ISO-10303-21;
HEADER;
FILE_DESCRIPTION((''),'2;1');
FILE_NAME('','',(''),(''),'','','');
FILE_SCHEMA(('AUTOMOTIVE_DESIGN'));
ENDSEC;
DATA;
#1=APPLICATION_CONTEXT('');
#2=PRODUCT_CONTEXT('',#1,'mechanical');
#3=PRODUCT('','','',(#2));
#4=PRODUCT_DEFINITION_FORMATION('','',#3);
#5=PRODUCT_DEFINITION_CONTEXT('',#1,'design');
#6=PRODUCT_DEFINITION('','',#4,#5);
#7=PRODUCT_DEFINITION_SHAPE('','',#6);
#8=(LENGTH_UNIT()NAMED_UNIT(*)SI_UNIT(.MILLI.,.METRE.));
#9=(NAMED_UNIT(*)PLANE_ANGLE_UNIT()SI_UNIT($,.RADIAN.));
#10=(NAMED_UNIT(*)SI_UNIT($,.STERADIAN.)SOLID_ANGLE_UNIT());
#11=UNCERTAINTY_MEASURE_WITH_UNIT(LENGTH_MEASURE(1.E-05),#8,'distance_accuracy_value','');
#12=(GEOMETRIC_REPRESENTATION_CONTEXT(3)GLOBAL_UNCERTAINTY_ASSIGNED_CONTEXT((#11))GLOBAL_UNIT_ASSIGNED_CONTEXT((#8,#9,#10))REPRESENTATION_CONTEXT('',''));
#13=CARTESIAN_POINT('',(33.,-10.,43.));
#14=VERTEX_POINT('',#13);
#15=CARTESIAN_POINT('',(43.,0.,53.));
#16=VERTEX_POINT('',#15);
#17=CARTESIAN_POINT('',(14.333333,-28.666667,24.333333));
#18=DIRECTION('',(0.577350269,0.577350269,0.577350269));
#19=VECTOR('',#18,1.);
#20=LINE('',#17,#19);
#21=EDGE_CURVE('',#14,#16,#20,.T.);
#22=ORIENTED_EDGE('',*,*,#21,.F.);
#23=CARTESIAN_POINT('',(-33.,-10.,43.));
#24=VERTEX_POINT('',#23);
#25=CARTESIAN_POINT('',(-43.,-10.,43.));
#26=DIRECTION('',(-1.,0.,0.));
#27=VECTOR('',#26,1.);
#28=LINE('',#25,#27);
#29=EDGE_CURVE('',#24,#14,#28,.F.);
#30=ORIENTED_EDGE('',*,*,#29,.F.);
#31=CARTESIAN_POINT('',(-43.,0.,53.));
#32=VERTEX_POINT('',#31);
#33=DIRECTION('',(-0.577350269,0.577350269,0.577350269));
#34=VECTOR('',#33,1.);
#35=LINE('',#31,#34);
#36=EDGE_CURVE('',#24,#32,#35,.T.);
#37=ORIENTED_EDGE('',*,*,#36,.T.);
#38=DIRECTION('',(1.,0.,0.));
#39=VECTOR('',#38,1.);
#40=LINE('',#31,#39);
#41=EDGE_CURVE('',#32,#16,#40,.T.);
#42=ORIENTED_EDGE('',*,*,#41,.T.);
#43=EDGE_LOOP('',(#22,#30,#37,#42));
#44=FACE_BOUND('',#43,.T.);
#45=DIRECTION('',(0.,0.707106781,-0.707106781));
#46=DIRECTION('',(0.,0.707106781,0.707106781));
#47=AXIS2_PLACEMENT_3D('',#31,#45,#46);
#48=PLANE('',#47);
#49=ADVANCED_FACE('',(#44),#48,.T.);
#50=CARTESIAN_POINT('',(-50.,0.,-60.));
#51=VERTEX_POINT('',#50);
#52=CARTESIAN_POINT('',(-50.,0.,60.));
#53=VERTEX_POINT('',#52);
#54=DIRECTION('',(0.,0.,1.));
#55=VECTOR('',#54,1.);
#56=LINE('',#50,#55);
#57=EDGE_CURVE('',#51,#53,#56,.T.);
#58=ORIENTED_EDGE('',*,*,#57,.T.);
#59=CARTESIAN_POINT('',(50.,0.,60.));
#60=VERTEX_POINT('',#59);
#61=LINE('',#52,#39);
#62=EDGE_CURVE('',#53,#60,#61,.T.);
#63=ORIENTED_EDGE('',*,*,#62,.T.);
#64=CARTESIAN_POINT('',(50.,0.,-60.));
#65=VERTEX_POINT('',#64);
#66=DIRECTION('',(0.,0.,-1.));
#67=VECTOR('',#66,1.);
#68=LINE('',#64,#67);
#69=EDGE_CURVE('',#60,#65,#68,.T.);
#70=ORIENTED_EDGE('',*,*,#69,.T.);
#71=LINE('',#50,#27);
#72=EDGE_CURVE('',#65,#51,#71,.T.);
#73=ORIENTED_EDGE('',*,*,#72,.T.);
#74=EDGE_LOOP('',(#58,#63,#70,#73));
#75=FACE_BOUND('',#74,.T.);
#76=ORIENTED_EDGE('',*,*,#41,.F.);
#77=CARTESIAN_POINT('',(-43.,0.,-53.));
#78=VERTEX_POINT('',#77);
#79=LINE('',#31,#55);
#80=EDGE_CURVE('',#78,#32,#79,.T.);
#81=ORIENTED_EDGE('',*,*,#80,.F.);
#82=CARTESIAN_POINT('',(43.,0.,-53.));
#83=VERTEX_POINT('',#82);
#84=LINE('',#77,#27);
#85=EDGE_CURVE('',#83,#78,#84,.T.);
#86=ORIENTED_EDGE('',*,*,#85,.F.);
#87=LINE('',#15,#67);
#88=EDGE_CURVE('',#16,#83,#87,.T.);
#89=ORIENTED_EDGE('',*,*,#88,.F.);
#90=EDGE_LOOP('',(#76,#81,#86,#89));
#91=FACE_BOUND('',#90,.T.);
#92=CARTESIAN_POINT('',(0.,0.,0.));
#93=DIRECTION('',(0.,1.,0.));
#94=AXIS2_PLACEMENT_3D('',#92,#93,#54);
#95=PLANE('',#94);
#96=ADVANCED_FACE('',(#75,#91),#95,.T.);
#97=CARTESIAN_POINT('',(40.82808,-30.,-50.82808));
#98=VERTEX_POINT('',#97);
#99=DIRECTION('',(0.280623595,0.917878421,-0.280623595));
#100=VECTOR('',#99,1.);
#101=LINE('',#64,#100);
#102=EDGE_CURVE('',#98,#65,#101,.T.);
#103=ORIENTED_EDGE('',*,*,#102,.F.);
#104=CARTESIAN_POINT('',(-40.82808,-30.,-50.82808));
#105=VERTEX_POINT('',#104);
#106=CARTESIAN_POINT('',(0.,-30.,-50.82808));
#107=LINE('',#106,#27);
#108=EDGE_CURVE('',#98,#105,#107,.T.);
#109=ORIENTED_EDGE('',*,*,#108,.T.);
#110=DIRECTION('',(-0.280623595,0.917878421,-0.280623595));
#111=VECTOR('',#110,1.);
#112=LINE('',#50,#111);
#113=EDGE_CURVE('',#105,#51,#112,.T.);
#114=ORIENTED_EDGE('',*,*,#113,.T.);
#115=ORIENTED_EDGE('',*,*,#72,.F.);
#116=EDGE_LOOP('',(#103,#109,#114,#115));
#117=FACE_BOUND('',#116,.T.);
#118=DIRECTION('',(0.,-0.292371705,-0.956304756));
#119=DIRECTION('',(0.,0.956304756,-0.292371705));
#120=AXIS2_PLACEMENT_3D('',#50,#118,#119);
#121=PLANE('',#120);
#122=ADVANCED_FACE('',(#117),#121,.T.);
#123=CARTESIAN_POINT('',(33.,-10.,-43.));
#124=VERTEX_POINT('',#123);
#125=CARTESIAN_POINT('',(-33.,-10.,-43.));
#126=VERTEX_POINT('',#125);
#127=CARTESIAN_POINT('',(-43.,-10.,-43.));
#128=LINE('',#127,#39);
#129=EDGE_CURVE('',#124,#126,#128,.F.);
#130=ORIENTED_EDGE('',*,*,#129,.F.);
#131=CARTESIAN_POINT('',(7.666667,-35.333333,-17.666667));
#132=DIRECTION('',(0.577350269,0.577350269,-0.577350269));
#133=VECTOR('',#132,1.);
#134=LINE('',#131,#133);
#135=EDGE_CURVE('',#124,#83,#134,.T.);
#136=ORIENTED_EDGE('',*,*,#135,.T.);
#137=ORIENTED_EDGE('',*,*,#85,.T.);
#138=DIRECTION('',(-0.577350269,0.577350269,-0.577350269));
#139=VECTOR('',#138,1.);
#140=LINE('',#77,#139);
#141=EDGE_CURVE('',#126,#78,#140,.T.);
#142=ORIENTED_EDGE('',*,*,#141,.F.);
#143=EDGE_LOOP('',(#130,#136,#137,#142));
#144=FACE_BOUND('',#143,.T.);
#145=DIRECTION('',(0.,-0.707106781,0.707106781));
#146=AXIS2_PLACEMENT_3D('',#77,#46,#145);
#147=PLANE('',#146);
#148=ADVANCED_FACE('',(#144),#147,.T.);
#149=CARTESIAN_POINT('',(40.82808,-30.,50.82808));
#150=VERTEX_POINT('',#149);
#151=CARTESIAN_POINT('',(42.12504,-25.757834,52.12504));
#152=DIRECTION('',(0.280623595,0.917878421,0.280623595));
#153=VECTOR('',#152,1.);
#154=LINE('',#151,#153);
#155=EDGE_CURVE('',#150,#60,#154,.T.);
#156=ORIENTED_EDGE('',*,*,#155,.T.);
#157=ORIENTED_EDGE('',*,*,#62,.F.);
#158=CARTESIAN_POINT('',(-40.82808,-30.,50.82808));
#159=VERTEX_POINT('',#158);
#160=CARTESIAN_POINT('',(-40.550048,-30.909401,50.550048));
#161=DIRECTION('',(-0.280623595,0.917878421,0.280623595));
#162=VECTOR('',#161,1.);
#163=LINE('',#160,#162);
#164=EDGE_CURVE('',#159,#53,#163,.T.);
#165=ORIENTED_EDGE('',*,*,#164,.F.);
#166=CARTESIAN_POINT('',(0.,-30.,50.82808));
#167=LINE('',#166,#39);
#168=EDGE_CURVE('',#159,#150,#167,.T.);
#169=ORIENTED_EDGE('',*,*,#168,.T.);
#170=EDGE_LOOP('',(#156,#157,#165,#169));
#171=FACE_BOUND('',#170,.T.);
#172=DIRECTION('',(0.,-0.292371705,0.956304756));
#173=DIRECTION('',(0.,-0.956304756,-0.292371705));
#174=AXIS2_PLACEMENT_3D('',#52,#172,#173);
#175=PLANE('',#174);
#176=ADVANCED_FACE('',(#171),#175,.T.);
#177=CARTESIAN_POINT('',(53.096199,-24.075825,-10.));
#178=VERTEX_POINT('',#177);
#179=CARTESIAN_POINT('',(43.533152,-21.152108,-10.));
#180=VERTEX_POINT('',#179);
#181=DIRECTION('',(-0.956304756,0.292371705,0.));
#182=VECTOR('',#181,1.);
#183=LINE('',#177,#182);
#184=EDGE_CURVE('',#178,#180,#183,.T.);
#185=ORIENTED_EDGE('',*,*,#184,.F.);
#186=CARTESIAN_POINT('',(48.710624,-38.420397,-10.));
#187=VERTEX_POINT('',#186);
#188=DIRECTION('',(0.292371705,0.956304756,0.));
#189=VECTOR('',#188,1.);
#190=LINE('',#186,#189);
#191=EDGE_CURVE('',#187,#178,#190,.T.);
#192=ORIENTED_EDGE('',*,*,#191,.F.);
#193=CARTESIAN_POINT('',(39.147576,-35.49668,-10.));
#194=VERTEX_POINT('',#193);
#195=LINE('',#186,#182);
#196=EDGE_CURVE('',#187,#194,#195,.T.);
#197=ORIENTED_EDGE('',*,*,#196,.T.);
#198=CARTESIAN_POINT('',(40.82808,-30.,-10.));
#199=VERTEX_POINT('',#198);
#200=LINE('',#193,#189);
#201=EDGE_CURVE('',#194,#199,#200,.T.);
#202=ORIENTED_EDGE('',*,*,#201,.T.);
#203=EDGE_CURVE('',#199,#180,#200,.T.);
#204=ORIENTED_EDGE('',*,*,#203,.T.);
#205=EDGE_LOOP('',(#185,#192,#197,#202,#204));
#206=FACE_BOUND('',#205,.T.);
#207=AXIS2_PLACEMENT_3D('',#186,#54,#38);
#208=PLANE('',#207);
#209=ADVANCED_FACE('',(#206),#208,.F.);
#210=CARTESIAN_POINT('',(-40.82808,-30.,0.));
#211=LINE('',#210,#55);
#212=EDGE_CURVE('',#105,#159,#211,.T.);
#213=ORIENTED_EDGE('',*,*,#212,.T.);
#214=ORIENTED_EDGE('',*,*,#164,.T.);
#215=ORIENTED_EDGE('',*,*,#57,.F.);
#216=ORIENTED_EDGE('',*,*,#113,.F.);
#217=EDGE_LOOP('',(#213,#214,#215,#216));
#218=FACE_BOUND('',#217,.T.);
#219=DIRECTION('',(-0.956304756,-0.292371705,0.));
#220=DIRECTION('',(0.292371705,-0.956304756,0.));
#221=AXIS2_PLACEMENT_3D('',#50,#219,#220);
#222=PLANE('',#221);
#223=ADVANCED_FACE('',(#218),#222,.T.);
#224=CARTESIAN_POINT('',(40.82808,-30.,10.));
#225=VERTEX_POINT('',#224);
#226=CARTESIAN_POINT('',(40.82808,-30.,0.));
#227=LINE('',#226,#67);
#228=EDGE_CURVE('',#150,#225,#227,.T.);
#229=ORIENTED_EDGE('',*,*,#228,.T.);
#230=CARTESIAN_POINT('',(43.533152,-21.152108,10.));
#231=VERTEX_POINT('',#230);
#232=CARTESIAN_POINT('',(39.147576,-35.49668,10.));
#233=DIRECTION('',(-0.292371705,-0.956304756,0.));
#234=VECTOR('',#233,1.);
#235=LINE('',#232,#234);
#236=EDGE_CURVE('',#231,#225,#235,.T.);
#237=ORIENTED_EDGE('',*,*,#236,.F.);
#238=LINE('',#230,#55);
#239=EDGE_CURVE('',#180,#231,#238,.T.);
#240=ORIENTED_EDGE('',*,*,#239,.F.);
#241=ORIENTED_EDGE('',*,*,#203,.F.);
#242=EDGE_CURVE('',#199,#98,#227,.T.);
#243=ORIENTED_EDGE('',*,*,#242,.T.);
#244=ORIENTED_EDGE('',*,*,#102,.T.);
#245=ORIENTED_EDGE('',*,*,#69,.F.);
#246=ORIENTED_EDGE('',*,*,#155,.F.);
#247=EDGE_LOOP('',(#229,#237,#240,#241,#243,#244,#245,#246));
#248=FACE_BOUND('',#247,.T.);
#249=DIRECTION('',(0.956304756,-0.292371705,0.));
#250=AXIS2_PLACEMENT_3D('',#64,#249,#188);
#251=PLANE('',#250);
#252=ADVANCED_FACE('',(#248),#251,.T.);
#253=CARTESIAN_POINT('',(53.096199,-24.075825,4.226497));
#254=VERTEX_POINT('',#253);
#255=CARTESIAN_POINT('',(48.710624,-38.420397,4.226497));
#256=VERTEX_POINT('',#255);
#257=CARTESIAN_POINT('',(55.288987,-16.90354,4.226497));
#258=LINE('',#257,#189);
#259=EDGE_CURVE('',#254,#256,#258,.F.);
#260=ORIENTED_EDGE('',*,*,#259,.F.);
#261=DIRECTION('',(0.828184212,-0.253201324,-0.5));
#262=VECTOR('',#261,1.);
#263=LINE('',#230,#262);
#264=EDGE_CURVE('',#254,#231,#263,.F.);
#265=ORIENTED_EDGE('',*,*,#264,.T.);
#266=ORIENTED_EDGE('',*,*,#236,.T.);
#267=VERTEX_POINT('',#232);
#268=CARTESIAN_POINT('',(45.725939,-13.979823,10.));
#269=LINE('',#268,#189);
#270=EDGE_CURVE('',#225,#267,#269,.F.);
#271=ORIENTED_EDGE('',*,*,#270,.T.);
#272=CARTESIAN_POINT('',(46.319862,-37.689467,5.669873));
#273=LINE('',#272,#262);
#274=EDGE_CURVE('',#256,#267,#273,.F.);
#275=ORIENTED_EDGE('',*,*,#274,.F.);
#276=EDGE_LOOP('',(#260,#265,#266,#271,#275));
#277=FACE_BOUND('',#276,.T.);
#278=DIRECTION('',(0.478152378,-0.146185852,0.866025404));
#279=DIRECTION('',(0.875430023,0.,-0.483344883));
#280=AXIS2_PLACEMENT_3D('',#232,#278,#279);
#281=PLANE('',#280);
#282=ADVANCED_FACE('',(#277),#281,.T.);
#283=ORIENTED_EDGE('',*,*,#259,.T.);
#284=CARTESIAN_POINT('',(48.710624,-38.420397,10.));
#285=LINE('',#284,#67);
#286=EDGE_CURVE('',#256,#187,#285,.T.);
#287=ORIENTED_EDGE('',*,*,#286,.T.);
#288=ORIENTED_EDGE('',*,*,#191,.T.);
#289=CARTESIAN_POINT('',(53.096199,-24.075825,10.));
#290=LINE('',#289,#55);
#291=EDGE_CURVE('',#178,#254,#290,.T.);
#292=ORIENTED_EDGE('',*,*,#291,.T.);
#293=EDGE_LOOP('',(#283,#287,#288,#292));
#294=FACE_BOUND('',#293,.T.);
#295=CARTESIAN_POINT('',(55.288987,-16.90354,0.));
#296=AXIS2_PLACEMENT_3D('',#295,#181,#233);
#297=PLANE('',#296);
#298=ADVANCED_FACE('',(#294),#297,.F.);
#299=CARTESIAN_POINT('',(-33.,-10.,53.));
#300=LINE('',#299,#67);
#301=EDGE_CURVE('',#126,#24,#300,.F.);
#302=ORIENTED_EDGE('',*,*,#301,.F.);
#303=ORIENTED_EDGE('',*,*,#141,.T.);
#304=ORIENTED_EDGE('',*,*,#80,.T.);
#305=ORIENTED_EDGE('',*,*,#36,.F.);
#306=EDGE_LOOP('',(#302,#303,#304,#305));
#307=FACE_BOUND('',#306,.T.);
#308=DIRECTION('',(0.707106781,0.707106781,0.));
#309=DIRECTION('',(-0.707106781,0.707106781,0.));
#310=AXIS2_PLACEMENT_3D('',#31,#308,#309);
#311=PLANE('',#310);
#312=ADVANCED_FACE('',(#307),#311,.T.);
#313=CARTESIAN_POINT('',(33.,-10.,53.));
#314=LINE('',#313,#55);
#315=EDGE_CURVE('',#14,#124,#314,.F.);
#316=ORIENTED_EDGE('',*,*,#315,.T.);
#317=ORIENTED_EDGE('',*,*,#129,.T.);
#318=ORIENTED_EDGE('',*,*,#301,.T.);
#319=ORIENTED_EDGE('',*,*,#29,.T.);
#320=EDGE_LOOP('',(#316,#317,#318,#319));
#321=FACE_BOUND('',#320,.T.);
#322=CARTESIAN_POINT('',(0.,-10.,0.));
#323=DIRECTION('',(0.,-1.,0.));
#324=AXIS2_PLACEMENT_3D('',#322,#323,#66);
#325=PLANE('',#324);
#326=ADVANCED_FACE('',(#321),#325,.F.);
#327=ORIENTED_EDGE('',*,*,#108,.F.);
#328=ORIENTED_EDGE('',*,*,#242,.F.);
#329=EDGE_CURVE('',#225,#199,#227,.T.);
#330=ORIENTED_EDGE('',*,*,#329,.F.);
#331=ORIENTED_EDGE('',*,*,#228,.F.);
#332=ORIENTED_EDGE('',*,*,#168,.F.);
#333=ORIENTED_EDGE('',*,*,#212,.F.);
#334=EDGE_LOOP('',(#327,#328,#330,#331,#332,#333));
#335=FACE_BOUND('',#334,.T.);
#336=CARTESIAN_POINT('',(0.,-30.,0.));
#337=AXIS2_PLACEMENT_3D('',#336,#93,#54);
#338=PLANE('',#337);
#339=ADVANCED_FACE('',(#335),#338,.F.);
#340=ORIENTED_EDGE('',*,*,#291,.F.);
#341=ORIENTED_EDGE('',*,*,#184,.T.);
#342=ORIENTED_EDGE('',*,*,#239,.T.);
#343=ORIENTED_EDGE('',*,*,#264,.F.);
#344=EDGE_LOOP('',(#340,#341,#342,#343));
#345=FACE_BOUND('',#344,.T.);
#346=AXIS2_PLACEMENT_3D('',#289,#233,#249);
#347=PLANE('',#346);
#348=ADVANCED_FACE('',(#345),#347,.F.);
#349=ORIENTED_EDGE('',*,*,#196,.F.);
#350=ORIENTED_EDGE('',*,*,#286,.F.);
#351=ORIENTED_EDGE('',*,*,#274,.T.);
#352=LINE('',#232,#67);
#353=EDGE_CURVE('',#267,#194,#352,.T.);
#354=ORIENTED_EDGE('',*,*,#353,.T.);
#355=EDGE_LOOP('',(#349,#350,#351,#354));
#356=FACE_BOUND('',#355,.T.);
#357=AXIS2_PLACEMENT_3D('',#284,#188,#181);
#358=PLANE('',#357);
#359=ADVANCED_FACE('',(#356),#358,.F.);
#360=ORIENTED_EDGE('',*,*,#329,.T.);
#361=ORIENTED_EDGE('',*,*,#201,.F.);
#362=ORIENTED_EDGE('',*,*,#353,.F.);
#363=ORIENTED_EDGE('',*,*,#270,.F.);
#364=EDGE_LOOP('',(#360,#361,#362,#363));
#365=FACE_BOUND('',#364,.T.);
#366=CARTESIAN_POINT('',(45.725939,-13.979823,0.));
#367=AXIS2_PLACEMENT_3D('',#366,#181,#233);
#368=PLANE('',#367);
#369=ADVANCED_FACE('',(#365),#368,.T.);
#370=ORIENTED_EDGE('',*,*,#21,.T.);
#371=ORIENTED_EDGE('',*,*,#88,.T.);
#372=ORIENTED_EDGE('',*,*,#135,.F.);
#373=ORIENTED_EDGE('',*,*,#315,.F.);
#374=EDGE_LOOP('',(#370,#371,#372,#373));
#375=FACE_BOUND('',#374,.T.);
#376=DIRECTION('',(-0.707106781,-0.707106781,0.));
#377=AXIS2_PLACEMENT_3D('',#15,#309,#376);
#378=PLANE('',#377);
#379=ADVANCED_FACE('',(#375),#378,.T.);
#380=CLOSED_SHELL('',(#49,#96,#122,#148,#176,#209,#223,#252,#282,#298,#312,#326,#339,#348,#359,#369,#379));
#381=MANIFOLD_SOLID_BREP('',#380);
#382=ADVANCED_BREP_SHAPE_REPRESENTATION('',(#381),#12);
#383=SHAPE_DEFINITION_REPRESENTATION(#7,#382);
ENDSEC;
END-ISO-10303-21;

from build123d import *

# Parameters (mm, degrees)
SKETCH1_W           = 100
SKETCH1_H           = 120
BOSS_EXTRUDE1_DEPTH = 30
BOSS_EXTRUDE1_DRAFT = -17
SKETCH2_W           = 86
SKETCH2_H           = 106
CUT_EXTRUDE1_DEPTH  = 10
SKETCH3_W           = 20
SKETCH3_H           = 15
BOSS_EXTRUDE2_DEPTH = 10
DRAFT1_ANGLE        = 45
DRAFT2_ANGLE        = 30


with BuildPart() as part:
    # Sketch1 → Boss-Extrude1 (with draft: the straight prism first)
    with BuildSketch(Plane(origin=(0, 0, 0), x_dir=(1, 0, 0), z_dir=(0, 1, 0))):
        Rectangle(SKETCH1_W, SKETCH1_H)
    extrude(amount=-BOSS_EXTRUDE1_DEPTH)
    # Boss-Extrude1: the draft: its side faces are tilted about the plane it starts from
    boss_extrude1_sides = [part.faces().sort_by_distance(p)[0] for p in [
        (-50, -15, 0),
        (0, -15, 60),
        (50, -15, 0),
        (0, -15, -60),
    ]]
    draft(boss_extrude1_sides, Plane(origin=(0, 0, 0), x_dir=(1, 0, 0), z_dir=(0, 1, 0)), BOSS_EXTRUDE1_DRAFT)

    # Sketch2 → Cut-Extrude1 (cut)
    with BuildSketch(Plane(origin=(0, 0, 0), x_dir=(1, 0, 0), z_dir=(0, 1, 0))):
        Rectangle(SKETCH2_W, SKETCH2_H)
    extrude(amount=-CUT_EXTRUDE1_DEPTH, mode=Mode.SUBTRACT)

    # Sketch3 → Boss-Extrude2 (add)
    with BuildSketch(Plane(origin=(45.725939314, -13.979822587, 0), x_dir=(0, 0, -1), z_dir=(0.9563047559630354, -0.2923717047227369, 0))):
        with Locations((0, -15)):
            Rectangle(SKETCH3_W, SKETCH3_H)
    extrude(amount=BOSS_EXTRUDE2_DEPTH)

    # Draft1
    draft1_faces = [part.faces().sort_by_distance(p)[0] for p in [
        (0, -5, 53),
        (43, -5, 0),
        (0, -5, -53),
        (-43, -5, 0),
    ]]
    draft(draft1_faces, Plane.ZX, DRAFT1_ANGLE)

    # Draft2
    draft2_faces = [part.faces().sort_by_distance(p)[0] for p in [
        (46.121887523, -29.78625245, 10),
    ]]
    draft(draft2_faces, Plane(origin=(50, 0, -60), x_dir=(0.2923717047227369, 0.9563047559630354, 0), z_dir=(0.9563047559630354, -0.2923717047227369, 0)), DRAFT2_ANGLE)


solid = part.part
